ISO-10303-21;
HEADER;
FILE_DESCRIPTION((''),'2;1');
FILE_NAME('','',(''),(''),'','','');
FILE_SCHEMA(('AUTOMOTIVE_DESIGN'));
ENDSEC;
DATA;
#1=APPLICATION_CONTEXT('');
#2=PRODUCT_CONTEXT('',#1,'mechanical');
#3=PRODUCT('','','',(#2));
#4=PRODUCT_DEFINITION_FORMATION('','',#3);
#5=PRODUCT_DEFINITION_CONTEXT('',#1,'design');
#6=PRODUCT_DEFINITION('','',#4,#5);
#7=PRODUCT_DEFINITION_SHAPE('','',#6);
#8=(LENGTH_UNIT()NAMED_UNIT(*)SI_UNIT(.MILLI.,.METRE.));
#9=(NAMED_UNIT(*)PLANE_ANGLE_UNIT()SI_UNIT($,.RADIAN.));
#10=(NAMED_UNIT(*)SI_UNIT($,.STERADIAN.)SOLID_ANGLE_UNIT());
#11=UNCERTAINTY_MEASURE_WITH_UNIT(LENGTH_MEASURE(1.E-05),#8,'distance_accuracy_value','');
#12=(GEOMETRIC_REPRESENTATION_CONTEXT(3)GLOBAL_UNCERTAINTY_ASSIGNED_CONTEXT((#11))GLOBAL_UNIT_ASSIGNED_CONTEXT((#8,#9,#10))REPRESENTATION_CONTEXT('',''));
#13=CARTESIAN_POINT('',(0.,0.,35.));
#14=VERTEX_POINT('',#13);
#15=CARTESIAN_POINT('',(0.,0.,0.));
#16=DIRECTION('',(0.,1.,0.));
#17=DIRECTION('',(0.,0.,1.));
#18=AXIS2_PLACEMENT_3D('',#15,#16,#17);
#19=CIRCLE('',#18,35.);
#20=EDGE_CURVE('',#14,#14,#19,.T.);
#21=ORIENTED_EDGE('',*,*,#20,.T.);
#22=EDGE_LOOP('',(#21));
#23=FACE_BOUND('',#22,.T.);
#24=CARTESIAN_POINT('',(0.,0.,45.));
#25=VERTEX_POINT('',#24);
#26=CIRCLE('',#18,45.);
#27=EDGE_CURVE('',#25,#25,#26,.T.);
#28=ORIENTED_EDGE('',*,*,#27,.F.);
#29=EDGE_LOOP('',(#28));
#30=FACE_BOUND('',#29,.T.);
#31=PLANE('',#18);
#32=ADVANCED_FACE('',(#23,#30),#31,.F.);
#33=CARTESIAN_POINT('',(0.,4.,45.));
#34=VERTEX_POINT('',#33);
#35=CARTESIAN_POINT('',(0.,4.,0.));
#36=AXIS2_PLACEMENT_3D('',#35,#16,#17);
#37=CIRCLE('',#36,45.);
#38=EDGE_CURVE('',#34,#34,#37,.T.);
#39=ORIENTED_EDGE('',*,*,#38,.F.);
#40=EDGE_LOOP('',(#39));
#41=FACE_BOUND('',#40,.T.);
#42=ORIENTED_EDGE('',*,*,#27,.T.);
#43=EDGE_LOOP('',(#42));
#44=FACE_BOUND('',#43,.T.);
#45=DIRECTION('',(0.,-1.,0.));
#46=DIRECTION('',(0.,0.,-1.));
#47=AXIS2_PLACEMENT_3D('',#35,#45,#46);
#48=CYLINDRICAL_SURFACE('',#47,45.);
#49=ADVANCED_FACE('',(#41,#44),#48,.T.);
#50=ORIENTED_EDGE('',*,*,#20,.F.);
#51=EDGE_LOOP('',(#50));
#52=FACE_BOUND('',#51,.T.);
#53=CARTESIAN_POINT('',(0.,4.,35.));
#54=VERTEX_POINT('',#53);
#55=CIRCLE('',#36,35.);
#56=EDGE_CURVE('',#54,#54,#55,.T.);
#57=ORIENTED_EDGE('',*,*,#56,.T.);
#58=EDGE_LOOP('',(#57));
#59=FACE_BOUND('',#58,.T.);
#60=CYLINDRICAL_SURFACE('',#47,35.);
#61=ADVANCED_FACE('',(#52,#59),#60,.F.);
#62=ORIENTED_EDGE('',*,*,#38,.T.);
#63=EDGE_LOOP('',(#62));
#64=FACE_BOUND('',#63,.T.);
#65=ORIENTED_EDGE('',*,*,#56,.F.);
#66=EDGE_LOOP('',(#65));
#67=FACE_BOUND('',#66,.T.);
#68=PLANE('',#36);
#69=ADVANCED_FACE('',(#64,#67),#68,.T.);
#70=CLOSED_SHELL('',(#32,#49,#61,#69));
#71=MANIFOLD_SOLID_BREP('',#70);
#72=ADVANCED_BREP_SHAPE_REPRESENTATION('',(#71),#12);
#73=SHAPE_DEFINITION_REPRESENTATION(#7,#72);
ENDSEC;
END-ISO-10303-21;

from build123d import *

# Parameters (mm, degrees)
CROQUIS1_R              = 45
CROQUIS1_R_2            = 35
SALIENTE_EXTRUIR1_DEPTH = 4


with BuildPart() as part:
    # Croquis1 → Saliente-Extruir1 (new body)
    with BuildSketch(Plane(origin=(0, 0, 0), x_dir=(1, 0, 0), z_dir=(0, 1, 0))):
        Circle(CROQUIS1_R)
        Circle(CROQUIS1_R_2, mode=Mode.SUBTRACT)
    extrude(amount=SALIENTE_EXTRUIR1_DEPTH)


solid = part.part
